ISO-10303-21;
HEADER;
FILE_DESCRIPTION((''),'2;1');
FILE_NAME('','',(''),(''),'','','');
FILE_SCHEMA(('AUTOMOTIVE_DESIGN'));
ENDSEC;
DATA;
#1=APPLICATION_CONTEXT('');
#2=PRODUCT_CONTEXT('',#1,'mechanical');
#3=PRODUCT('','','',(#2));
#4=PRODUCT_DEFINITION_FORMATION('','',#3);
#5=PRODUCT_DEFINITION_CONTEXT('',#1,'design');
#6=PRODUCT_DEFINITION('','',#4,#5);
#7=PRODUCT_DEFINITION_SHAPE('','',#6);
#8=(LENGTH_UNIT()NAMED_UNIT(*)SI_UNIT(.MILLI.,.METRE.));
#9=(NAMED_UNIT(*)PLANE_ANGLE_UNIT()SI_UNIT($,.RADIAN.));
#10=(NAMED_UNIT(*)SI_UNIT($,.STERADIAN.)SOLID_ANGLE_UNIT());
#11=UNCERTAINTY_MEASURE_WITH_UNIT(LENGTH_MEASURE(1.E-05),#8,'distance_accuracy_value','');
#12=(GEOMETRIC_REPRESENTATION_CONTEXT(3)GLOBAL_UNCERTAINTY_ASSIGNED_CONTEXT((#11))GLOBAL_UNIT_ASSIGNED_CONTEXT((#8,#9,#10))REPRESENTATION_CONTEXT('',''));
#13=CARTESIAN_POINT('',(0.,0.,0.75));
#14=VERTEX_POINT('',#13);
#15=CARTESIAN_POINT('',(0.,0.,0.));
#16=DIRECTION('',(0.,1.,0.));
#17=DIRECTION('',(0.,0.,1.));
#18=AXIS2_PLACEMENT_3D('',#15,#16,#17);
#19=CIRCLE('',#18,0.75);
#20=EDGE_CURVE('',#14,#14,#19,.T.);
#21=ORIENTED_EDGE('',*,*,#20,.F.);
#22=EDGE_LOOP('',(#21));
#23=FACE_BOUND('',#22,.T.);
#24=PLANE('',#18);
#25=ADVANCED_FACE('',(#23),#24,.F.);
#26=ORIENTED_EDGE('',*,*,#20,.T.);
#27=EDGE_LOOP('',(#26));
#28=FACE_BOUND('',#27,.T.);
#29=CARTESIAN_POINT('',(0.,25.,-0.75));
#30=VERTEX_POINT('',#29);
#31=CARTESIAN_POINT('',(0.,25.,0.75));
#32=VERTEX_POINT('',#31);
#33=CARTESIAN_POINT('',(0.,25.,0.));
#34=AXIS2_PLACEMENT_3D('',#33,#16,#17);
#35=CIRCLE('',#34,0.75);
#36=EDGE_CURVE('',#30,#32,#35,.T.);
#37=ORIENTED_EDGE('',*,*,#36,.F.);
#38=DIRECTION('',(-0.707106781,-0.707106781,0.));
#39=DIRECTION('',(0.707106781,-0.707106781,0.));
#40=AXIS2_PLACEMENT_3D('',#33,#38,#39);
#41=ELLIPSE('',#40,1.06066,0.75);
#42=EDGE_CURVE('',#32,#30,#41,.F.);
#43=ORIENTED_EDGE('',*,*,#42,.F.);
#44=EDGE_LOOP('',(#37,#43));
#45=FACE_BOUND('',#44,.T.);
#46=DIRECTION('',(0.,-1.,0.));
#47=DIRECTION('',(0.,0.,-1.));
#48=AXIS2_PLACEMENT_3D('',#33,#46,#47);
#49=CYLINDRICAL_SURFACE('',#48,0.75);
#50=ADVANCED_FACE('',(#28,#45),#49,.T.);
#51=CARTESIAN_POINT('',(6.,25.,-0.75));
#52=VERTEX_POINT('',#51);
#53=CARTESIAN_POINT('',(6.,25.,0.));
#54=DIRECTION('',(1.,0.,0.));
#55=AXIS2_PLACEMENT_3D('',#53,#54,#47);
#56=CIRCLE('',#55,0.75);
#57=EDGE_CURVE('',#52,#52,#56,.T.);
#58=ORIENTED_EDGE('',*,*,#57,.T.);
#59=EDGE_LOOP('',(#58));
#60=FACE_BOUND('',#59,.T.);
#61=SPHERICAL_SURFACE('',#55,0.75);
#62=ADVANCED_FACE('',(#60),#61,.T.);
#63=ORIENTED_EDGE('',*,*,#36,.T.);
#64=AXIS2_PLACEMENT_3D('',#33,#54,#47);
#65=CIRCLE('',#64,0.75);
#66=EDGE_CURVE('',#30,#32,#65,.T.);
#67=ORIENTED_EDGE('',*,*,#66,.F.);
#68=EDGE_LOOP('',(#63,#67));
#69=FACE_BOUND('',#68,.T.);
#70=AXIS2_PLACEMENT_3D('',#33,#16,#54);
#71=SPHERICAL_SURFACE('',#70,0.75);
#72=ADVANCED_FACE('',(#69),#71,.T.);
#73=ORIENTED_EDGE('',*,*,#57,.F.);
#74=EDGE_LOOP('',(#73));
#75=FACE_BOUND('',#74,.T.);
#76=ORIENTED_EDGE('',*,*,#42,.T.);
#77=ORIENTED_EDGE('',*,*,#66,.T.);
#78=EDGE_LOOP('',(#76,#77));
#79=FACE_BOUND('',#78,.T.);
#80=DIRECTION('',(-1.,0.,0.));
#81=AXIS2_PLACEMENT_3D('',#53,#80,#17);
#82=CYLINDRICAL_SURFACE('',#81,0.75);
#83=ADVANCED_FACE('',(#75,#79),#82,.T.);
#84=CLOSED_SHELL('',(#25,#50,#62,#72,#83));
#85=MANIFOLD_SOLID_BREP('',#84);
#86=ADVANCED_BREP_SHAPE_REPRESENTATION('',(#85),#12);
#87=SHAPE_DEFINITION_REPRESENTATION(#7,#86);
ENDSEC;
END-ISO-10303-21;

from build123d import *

# Parameters (mm, degrees)
SKETCH_1_R      = 0.75
EXTRUDE_1_DEPTH = 25
SKETCH_3_R      = 0.75
EXTRUDE_2_DEPTH = 6


with BuildPart() as part:
    # 草图1 → 凸台-拉伸1 (new body)
    with BuildSketch(Plane(origin=(0, 0, 0), x_dir=(1, 0, 0), z_dir=(0, 1, 0))):
        with Locations(Location((0, 0, 0), (0, 0, 270))):
            Circle(SKETCH_1_R)
    extrude(amount=EXTRUDE_1_DEPTH)

    # 草图2 → 旋转1 (revolve)
    with BuildSketch(Plane.XY):
        with BuildLine():
            Line((0, 25.75), (0, 24.25))
            ThreePointArc((0, 24.25), (0.75, 25), (0, 25.75))
        make_face()
    revolve(axis=Axis((0, 25.75, 0), (0, -1, 0)))

    # 草图3 → 凸台-拉伸2 (add)
    with BuildSketch(Plane(origin=(0, 0, 0), x_dir=(0, 0, -1), z_dir=(1, 0, 0))):
        with Locations((0, 25)):
            Circle(SKETCH_3_R)
    extrude(amount=EXTRUDE_2_DEPTH)

    # 草图4 → 旋转2 (revolve)
    with BuildSketch(Plane(origin=(6, 0, 0), x_dir=(0, 0, -1), z_dir=(1, 0, 0))):
        with BuildLine():
            Line((0, 25.75), (0, 24.25))
            ThreePointArc((0, 24.25), (0.75, 25), (0, 25.75))
        make_face()
    revolve(axis=Axis((6, 25.75, 0), (0, -1, 0)))


solid = part.part
